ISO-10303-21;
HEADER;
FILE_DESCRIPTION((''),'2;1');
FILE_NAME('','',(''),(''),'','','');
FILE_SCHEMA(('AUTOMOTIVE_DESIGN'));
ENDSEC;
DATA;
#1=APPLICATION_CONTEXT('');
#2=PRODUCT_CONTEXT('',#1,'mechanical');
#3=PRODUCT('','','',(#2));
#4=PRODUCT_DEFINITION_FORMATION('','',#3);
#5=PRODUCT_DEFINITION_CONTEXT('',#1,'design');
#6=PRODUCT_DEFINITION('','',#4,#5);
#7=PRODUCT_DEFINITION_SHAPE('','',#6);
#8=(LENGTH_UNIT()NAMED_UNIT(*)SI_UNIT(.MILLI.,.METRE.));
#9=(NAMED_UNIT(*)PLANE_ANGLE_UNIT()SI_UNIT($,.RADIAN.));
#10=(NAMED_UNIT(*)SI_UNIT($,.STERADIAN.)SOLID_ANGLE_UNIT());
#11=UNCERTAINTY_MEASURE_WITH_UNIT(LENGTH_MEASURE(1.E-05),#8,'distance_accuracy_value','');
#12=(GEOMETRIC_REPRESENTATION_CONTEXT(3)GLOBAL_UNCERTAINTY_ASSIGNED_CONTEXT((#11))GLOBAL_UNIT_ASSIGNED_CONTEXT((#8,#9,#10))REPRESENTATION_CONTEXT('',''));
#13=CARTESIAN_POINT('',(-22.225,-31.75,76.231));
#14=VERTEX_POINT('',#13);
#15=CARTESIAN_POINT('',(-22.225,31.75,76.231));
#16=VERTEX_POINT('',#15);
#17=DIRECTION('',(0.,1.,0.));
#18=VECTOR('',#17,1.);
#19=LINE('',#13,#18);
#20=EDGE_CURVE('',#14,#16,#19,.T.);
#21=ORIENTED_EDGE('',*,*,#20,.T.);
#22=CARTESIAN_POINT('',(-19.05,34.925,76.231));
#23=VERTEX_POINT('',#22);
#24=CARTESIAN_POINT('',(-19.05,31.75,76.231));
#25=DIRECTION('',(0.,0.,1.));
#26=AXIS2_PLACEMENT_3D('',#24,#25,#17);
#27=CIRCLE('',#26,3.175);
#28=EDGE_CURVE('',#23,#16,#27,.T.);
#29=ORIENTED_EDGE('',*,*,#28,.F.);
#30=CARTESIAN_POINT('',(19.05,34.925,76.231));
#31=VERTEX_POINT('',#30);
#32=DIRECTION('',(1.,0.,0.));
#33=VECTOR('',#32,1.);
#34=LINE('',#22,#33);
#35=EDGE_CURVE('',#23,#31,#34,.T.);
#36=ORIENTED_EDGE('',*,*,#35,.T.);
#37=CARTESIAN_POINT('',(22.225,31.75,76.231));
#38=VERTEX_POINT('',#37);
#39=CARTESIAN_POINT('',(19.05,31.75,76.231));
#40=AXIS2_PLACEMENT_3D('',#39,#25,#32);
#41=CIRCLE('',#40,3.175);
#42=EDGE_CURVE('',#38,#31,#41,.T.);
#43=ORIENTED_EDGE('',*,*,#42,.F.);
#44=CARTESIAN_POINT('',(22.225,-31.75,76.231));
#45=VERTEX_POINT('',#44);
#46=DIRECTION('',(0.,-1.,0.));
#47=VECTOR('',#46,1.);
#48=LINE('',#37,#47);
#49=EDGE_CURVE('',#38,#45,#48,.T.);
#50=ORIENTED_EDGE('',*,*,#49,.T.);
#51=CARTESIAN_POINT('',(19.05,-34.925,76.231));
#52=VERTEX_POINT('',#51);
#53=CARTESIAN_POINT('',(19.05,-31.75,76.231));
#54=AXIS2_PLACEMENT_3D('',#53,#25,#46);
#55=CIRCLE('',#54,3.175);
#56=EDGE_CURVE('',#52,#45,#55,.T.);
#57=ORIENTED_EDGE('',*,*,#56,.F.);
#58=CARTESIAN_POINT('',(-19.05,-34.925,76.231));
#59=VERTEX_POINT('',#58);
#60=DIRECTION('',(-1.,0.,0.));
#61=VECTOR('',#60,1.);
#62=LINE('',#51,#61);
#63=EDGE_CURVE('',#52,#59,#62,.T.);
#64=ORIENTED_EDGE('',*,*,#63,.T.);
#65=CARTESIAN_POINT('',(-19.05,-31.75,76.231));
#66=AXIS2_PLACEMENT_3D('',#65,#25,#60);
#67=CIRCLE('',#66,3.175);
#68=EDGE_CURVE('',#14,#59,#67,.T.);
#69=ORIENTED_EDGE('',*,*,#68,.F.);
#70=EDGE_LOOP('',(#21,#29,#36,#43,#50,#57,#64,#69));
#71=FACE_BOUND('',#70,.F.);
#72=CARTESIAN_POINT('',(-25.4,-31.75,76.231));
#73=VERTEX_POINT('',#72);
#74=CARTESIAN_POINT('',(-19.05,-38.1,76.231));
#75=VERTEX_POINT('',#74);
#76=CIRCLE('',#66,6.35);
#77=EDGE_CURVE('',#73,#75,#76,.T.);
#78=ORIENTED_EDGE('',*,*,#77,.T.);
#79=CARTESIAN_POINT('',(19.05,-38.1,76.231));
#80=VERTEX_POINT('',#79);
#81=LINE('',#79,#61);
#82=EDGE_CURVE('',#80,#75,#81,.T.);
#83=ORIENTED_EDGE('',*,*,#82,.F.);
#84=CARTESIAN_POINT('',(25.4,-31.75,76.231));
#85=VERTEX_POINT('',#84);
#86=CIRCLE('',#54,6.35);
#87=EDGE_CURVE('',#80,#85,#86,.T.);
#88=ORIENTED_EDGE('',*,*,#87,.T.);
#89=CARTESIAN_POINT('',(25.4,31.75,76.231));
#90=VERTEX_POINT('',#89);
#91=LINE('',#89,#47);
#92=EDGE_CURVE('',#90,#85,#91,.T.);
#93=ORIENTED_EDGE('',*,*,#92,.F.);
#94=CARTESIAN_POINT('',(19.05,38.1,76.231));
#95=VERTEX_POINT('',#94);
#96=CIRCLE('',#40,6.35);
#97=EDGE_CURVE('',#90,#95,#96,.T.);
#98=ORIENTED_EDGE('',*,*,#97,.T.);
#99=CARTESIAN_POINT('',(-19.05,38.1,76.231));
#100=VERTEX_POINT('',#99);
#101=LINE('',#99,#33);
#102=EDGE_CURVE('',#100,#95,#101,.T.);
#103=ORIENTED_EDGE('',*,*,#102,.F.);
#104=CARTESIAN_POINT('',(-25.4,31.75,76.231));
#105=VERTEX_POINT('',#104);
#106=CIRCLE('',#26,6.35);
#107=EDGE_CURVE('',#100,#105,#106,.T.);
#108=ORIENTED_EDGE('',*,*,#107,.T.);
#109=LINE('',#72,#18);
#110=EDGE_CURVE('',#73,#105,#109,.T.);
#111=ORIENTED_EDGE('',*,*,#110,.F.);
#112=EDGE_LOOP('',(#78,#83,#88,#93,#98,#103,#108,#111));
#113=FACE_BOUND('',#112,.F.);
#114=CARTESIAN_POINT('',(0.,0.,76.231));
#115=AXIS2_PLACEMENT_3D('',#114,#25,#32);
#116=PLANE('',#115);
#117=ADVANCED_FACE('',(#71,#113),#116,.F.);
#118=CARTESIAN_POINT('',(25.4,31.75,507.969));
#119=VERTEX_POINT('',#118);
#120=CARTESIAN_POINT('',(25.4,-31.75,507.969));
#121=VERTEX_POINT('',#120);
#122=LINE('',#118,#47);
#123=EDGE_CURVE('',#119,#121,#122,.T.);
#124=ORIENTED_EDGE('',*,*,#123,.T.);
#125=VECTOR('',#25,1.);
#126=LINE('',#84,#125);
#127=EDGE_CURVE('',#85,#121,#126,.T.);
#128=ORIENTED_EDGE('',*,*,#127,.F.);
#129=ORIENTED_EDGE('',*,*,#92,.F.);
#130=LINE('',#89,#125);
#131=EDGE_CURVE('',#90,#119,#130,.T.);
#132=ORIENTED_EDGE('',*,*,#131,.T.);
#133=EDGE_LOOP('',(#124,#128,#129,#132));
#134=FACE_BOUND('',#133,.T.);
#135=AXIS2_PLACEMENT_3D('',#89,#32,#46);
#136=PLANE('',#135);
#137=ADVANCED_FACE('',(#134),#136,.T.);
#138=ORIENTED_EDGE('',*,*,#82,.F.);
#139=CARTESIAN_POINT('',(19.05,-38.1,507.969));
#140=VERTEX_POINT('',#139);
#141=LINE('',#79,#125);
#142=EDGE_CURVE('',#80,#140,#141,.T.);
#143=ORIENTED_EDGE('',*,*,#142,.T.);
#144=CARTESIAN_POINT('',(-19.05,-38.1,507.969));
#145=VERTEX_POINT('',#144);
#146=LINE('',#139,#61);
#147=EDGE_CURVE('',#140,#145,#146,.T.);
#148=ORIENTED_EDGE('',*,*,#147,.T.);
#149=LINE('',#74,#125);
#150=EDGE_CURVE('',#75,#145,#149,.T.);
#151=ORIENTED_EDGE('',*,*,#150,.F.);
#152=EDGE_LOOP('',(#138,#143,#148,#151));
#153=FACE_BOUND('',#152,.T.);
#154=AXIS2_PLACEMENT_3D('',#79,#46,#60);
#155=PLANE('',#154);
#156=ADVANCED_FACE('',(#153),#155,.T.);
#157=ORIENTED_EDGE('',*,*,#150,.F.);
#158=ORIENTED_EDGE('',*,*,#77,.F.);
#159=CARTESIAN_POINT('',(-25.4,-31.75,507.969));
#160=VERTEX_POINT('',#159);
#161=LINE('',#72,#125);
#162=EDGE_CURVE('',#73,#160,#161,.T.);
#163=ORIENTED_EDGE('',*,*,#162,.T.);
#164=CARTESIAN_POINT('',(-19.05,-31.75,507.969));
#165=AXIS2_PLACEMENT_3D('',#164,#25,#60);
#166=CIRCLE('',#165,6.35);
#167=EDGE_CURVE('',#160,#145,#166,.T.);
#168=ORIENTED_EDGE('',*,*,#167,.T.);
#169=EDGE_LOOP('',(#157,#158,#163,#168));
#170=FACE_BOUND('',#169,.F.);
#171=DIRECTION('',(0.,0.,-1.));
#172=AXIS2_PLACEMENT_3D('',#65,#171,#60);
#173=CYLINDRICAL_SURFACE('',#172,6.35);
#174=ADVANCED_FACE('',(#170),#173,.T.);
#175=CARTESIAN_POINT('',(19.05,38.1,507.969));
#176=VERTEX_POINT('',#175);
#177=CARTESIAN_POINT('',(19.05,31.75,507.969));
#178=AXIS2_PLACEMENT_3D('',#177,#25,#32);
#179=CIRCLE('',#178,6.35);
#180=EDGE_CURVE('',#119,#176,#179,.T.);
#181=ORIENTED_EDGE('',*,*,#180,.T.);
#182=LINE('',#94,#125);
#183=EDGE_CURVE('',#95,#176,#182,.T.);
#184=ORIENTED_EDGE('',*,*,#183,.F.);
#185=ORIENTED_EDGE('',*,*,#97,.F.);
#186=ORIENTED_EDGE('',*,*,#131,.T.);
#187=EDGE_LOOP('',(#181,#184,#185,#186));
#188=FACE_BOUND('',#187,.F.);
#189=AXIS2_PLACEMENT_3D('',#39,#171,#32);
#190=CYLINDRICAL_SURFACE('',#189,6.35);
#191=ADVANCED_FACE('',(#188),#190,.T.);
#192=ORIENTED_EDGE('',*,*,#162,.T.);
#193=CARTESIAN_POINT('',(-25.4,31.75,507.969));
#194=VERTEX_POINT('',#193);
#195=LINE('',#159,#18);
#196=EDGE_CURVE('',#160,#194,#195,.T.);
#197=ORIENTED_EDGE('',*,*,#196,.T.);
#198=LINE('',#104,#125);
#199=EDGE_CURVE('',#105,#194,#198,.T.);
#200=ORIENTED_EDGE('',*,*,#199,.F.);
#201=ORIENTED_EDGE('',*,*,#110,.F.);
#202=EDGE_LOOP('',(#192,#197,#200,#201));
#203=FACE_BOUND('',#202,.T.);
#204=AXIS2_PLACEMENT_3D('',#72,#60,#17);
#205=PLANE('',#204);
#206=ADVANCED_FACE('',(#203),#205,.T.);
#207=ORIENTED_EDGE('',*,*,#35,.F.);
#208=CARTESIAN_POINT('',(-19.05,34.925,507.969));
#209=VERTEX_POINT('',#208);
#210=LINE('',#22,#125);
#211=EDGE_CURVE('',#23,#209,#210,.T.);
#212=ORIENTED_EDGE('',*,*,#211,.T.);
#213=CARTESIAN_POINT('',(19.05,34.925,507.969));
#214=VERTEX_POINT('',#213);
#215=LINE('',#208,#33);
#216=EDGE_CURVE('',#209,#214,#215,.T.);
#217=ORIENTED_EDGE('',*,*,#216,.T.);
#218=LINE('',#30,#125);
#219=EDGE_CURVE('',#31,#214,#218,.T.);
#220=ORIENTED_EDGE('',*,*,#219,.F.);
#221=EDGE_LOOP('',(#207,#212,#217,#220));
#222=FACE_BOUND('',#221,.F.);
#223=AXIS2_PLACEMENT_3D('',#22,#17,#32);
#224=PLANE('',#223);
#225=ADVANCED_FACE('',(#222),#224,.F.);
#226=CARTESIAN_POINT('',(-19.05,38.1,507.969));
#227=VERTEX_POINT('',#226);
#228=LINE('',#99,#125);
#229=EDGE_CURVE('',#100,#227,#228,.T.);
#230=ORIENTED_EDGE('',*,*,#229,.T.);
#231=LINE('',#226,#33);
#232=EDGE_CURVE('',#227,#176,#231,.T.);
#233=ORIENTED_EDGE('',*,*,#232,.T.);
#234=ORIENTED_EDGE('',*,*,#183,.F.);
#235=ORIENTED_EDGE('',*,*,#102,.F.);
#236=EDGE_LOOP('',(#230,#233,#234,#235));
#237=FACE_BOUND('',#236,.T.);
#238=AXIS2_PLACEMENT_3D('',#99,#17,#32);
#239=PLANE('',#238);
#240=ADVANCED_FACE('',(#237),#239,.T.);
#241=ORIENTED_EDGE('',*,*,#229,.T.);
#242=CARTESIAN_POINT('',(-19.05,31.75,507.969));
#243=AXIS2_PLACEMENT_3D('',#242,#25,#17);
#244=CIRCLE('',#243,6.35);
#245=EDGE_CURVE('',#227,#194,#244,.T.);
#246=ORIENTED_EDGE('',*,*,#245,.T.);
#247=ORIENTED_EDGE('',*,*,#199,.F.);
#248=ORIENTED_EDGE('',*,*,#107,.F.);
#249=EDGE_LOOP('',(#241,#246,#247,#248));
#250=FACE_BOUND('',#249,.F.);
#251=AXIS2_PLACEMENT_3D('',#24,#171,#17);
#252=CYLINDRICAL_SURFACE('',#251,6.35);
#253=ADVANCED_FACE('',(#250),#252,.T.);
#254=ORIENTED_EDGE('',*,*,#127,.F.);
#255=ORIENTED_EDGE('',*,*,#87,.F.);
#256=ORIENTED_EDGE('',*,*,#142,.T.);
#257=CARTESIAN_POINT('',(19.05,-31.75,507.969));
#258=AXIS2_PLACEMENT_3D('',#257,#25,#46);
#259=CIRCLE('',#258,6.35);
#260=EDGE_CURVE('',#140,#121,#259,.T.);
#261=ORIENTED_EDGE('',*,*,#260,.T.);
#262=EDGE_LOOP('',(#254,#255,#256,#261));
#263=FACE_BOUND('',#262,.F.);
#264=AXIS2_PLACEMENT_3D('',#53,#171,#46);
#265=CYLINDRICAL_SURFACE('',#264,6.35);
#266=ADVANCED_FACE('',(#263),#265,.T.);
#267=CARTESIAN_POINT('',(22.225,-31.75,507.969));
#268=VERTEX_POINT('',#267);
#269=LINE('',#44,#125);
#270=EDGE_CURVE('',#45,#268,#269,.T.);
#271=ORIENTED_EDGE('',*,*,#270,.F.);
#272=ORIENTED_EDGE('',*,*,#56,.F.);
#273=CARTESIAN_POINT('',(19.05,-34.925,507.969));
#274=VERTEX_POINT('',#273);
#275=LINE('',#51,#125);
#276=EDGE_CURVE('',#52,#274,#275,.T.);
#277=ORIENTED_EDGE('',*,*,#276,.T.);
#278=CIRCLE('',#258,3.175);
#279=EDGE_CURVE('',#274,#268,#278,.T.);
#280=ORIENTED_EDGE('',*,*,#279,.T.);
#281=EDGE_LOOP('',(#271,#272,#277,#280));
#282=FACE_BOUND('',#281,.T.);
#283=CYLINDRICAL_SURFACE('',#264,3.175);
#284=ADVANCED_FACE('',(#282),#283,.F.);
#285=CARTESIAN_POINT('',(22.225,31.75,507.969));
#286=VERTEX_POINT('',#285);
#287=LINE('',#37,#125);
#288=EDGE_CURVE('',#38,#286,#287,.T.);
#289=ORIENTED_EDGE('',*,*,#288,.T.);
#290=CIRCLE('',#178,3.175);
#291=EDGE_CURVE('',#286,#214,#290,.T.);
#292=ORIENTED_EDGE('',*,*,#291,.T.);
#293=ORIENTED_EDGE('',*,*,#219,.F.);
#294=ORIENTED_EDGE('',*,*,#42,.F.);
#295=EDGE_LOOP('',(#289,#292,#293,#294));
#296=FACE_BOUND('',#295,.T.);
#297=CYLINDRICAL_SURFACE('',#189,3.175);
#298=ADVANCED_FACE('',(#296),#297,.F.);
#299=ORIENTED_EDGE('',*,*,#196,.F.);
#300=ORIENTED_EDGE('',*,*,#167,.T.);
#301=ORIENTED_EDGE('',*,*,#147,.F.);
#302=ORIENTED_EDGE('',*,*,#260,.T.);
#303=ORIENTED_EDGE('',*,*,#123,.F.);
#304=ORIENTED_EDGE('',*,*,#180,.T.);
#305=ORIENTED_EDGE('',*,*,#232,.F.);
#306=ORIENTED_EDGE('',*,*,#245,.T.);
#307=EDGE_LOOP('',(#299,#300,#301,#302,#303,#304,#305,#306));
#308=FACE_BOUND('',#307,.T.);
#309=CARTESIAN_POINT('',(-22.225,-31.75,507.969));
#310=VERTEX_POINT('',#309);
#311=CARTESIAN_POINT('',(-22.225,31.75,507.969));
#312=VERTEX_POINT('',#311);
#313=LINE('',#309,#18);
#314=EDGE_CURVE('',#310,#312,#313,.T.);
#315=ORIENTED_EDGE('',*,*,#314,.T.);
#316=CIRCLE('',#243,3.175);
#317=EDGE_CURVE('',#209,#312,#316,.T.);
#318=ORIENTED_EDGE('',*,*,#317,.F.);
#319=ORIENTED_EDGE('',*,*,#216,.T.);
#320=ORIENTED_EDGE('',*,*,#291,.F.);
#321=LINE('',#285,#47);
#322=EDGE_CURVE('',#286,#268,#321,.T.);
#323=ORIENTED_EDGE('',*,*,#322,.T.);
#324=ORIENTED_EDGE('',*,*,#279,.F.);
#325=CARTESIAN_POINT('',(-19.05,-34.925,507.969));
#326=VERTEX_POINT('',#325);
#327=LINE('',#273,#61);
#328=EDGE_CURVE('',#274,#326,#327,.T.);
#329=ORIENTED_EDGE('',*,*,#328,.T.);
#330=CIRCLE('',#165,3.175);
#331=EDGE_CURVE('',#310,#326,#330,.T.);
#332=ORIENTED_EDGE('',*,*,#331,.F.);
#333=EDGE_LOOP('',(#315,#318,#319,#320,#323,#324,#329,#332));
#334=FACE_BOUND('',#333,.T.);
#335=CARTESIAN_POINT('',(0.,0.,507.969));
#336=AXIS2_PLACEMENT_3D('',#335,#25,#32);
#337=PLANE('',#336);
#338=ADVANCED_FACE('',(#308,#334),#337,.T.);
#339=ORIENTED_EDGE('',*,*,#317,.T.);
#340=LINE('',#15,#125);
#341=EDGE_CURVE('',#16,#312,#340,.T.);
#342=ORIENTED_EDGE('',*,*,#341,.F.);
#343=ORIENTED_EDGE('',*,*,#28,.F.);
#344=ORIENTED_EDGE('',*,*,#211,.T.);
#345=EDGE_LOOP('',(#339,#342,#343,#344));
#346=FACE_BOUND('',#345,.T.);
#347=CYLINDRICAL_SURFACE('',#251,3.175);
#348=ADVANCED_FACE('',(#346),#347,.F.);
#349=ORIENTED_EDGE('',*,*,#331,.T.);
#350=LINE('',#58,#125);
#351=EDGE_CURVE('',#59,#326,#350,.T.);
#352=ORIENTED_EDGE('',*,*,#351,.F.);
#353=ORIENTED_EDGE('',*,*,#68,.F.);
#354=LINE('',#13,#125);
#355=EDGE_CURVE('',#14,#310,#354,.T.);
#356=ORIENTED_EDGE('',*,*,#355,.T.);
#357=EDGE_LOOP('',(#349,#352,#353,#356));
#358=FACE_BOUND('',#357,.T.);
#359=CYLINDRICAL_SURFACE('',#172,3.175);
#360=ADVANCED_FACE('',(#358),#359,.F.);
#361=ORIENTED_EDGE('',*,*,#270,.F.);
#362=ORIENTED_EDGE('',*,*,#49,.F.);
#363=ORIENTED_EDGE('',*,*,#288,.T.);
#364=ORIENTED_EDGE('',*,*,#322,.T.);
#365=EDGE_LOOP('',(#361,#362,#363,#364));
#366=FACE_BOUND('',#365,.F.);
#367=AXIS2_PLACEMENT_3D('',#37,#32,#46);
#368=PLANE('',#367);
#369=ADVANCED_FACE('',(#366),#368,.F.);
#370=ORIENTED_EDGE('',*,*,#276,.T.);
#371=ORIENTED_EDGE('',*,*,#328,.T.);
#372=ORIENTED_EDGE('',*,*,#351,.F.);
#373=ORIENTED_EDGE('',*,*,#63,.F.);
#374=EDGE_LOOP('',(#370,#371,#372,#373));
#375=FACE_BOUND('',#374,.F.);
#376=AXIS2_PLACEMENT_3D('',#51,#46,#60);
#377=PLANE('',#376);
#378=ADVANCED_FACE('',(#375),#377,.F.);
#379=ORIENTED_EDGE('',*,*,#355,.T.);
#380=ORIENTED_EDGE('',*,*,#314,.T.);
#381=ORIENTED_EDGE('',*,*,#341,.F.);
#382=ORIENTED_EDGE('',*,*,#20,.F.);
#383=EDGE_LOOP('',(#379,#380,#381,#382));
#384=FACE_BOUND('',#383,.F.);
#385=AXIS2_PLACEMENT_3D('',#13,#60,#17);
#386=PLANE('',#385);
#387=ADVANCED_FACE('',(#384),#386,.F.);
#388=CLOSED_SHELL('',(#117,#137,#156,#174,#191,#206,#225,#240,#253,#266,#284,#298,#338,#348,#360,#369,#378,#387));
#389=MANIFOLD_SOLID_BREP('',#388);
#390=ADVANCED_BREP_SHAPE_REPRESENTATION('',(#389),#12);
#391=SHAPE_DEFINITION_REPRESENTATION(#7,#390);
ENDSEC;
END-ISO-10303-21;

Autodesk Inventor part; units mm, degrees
ref_plane "Start Plane" through (0, 0, 76.231) normal (0, 0, 1) x (1, 0, 0)
ref_plane "End Plane" through (0, 0, 507.969) normal (0, 0, 1) x (1, 0, 0)
sketch "Sketch" plane through (0, 0, 0) normal (0, 0, 1) x (1, 0, 0)
  line L0 (-25.4, -31.75) -> (-25.4, 31.75)
  line L1 (-19.05, 38.1) -> (19.05, 38.1)
  line L2 (25.4, 31.75) -> (25.4, -31.75)
  line L3 (19.05, -38.1) -> (-19.05, -38.1)
  arc A0 (-25.4, -31.75) -> (-19.05, -38.1) centre (-19.05, -31.75) ccw
  arc A1 (-19.05, 38.1) -> (-25.4, 31.75) centre (-19.05, 31.75) ccw
  arc A2 (25.4, 31.75) -> (19.05, 38.1) centre (19.05, 31.75) ccw
  arc A3 (19.05, -38.1) -> (25.4, -31.75) centre (19.05, -31.75) ccw
  arc A4 (-19.05, 34.925) -> (-22.225, 31.75) centre (-19.05, 31.75) ccw
  line L4 (-19.05, 34.925) -> (19.05, 34.925)
  arc A5 (22.225, 31.75) -> (19.05, 34.925) centre (19.05, 31.75) ccw
  line L5 (22.225, 31.75) -> (22.225, -31.75)
  arc A6 (19.05, -34.925) -> (22.225, -31.75) centre (19.05, -31.75) ccw
  line L6 (19.05, -34.925) -> (-19.05, -34.925)
  arc A7 (-22.225, -31.75) -> (-19.05, -34.925) centre (-19.05, -31.75) ccw
  line L7 (-22.225, -31.75) -> (-22.225, 31.75)
  line L8 (0, 55.1812) -> (0, -55.1812) construction
  line L9 (-37.4012, 0) -> (37.4012, 0) construction
  dimension "d10" = 76.2
  dimension "d11" = 50.8
  dimension "d12" = 3.175
  dimension "d15" = 38.1
  dimension "d16" = 25.4
  dimension "d17" = 6.35
extrude "Body" add sketch "Sketch" along normal up to surface (431.738 mm away) from surface at 76.231
sketch "Sketch3" plane through (0, 0, 0) normal (0, 0, 1) x (1, 0, 0)
  line L0 (0, 0) -> (10, 0)
ref_plane "Work Plane3" through (0, 0, 0) normal (0, -1, 0) x (1, 0, 0)
ref_plane "Work Plane4" through (25.4, -31.75, 507.969) normal (0, 0, 1) x (1, 0, 0)
split "Split1" plane through (25.4, -31.75, 507.969) removes the side toward (0, 0, 1)
ref_plane "Work Plane5" through (-1295.4, -31.75, 76.231) normal (0, 0, -1) x (-1, 0, 0)
split "Split2" plane through (-1295.4, -31.75, 76.231) removes the side toward (0, 0, -1)
sketch "Sketch4" plane through (0, 0, 0) normal (0, -1, 0) x (1, 0, 0)
  line L0 (-2, 76.231) -> (12, 76.231) projected
  line L1 (-2, 507.969) -> (12, 507.969) projected
  dimension "d19" = 431.738
equation "\"d10\" = G_H"
equation "\"d11\" = G_W"
equation "\"d12\" = G_T"
equation "\"d15\" = 0.5 * d10"
equation "\"d16\" = 0.5 * d11"
equation "\"d17\" = G_IR"
equation "\"d3\" = G_L"
equation "\"G_W\" = 50.8"
equation "\"G_H\" = 76.2"
equation "\"G_T\" = 3.175"
equation "\"G_IR\" = 6.35"
equation "\"G_L\" = d19"
equation "\"G_OFFSET_START\" = -76.231"
equation "\"G_OFFSET_END\" = -76.231"
equation "\"d13\" = -G_OFFSET_START"
equation "\"d14\" = G_OFFSET_END + B_L"
equation "\"B_L\" = 584.2"
properties part number "AISC - 3 x 2 x 1/8 - 16.998" material "Steel, Mild"
